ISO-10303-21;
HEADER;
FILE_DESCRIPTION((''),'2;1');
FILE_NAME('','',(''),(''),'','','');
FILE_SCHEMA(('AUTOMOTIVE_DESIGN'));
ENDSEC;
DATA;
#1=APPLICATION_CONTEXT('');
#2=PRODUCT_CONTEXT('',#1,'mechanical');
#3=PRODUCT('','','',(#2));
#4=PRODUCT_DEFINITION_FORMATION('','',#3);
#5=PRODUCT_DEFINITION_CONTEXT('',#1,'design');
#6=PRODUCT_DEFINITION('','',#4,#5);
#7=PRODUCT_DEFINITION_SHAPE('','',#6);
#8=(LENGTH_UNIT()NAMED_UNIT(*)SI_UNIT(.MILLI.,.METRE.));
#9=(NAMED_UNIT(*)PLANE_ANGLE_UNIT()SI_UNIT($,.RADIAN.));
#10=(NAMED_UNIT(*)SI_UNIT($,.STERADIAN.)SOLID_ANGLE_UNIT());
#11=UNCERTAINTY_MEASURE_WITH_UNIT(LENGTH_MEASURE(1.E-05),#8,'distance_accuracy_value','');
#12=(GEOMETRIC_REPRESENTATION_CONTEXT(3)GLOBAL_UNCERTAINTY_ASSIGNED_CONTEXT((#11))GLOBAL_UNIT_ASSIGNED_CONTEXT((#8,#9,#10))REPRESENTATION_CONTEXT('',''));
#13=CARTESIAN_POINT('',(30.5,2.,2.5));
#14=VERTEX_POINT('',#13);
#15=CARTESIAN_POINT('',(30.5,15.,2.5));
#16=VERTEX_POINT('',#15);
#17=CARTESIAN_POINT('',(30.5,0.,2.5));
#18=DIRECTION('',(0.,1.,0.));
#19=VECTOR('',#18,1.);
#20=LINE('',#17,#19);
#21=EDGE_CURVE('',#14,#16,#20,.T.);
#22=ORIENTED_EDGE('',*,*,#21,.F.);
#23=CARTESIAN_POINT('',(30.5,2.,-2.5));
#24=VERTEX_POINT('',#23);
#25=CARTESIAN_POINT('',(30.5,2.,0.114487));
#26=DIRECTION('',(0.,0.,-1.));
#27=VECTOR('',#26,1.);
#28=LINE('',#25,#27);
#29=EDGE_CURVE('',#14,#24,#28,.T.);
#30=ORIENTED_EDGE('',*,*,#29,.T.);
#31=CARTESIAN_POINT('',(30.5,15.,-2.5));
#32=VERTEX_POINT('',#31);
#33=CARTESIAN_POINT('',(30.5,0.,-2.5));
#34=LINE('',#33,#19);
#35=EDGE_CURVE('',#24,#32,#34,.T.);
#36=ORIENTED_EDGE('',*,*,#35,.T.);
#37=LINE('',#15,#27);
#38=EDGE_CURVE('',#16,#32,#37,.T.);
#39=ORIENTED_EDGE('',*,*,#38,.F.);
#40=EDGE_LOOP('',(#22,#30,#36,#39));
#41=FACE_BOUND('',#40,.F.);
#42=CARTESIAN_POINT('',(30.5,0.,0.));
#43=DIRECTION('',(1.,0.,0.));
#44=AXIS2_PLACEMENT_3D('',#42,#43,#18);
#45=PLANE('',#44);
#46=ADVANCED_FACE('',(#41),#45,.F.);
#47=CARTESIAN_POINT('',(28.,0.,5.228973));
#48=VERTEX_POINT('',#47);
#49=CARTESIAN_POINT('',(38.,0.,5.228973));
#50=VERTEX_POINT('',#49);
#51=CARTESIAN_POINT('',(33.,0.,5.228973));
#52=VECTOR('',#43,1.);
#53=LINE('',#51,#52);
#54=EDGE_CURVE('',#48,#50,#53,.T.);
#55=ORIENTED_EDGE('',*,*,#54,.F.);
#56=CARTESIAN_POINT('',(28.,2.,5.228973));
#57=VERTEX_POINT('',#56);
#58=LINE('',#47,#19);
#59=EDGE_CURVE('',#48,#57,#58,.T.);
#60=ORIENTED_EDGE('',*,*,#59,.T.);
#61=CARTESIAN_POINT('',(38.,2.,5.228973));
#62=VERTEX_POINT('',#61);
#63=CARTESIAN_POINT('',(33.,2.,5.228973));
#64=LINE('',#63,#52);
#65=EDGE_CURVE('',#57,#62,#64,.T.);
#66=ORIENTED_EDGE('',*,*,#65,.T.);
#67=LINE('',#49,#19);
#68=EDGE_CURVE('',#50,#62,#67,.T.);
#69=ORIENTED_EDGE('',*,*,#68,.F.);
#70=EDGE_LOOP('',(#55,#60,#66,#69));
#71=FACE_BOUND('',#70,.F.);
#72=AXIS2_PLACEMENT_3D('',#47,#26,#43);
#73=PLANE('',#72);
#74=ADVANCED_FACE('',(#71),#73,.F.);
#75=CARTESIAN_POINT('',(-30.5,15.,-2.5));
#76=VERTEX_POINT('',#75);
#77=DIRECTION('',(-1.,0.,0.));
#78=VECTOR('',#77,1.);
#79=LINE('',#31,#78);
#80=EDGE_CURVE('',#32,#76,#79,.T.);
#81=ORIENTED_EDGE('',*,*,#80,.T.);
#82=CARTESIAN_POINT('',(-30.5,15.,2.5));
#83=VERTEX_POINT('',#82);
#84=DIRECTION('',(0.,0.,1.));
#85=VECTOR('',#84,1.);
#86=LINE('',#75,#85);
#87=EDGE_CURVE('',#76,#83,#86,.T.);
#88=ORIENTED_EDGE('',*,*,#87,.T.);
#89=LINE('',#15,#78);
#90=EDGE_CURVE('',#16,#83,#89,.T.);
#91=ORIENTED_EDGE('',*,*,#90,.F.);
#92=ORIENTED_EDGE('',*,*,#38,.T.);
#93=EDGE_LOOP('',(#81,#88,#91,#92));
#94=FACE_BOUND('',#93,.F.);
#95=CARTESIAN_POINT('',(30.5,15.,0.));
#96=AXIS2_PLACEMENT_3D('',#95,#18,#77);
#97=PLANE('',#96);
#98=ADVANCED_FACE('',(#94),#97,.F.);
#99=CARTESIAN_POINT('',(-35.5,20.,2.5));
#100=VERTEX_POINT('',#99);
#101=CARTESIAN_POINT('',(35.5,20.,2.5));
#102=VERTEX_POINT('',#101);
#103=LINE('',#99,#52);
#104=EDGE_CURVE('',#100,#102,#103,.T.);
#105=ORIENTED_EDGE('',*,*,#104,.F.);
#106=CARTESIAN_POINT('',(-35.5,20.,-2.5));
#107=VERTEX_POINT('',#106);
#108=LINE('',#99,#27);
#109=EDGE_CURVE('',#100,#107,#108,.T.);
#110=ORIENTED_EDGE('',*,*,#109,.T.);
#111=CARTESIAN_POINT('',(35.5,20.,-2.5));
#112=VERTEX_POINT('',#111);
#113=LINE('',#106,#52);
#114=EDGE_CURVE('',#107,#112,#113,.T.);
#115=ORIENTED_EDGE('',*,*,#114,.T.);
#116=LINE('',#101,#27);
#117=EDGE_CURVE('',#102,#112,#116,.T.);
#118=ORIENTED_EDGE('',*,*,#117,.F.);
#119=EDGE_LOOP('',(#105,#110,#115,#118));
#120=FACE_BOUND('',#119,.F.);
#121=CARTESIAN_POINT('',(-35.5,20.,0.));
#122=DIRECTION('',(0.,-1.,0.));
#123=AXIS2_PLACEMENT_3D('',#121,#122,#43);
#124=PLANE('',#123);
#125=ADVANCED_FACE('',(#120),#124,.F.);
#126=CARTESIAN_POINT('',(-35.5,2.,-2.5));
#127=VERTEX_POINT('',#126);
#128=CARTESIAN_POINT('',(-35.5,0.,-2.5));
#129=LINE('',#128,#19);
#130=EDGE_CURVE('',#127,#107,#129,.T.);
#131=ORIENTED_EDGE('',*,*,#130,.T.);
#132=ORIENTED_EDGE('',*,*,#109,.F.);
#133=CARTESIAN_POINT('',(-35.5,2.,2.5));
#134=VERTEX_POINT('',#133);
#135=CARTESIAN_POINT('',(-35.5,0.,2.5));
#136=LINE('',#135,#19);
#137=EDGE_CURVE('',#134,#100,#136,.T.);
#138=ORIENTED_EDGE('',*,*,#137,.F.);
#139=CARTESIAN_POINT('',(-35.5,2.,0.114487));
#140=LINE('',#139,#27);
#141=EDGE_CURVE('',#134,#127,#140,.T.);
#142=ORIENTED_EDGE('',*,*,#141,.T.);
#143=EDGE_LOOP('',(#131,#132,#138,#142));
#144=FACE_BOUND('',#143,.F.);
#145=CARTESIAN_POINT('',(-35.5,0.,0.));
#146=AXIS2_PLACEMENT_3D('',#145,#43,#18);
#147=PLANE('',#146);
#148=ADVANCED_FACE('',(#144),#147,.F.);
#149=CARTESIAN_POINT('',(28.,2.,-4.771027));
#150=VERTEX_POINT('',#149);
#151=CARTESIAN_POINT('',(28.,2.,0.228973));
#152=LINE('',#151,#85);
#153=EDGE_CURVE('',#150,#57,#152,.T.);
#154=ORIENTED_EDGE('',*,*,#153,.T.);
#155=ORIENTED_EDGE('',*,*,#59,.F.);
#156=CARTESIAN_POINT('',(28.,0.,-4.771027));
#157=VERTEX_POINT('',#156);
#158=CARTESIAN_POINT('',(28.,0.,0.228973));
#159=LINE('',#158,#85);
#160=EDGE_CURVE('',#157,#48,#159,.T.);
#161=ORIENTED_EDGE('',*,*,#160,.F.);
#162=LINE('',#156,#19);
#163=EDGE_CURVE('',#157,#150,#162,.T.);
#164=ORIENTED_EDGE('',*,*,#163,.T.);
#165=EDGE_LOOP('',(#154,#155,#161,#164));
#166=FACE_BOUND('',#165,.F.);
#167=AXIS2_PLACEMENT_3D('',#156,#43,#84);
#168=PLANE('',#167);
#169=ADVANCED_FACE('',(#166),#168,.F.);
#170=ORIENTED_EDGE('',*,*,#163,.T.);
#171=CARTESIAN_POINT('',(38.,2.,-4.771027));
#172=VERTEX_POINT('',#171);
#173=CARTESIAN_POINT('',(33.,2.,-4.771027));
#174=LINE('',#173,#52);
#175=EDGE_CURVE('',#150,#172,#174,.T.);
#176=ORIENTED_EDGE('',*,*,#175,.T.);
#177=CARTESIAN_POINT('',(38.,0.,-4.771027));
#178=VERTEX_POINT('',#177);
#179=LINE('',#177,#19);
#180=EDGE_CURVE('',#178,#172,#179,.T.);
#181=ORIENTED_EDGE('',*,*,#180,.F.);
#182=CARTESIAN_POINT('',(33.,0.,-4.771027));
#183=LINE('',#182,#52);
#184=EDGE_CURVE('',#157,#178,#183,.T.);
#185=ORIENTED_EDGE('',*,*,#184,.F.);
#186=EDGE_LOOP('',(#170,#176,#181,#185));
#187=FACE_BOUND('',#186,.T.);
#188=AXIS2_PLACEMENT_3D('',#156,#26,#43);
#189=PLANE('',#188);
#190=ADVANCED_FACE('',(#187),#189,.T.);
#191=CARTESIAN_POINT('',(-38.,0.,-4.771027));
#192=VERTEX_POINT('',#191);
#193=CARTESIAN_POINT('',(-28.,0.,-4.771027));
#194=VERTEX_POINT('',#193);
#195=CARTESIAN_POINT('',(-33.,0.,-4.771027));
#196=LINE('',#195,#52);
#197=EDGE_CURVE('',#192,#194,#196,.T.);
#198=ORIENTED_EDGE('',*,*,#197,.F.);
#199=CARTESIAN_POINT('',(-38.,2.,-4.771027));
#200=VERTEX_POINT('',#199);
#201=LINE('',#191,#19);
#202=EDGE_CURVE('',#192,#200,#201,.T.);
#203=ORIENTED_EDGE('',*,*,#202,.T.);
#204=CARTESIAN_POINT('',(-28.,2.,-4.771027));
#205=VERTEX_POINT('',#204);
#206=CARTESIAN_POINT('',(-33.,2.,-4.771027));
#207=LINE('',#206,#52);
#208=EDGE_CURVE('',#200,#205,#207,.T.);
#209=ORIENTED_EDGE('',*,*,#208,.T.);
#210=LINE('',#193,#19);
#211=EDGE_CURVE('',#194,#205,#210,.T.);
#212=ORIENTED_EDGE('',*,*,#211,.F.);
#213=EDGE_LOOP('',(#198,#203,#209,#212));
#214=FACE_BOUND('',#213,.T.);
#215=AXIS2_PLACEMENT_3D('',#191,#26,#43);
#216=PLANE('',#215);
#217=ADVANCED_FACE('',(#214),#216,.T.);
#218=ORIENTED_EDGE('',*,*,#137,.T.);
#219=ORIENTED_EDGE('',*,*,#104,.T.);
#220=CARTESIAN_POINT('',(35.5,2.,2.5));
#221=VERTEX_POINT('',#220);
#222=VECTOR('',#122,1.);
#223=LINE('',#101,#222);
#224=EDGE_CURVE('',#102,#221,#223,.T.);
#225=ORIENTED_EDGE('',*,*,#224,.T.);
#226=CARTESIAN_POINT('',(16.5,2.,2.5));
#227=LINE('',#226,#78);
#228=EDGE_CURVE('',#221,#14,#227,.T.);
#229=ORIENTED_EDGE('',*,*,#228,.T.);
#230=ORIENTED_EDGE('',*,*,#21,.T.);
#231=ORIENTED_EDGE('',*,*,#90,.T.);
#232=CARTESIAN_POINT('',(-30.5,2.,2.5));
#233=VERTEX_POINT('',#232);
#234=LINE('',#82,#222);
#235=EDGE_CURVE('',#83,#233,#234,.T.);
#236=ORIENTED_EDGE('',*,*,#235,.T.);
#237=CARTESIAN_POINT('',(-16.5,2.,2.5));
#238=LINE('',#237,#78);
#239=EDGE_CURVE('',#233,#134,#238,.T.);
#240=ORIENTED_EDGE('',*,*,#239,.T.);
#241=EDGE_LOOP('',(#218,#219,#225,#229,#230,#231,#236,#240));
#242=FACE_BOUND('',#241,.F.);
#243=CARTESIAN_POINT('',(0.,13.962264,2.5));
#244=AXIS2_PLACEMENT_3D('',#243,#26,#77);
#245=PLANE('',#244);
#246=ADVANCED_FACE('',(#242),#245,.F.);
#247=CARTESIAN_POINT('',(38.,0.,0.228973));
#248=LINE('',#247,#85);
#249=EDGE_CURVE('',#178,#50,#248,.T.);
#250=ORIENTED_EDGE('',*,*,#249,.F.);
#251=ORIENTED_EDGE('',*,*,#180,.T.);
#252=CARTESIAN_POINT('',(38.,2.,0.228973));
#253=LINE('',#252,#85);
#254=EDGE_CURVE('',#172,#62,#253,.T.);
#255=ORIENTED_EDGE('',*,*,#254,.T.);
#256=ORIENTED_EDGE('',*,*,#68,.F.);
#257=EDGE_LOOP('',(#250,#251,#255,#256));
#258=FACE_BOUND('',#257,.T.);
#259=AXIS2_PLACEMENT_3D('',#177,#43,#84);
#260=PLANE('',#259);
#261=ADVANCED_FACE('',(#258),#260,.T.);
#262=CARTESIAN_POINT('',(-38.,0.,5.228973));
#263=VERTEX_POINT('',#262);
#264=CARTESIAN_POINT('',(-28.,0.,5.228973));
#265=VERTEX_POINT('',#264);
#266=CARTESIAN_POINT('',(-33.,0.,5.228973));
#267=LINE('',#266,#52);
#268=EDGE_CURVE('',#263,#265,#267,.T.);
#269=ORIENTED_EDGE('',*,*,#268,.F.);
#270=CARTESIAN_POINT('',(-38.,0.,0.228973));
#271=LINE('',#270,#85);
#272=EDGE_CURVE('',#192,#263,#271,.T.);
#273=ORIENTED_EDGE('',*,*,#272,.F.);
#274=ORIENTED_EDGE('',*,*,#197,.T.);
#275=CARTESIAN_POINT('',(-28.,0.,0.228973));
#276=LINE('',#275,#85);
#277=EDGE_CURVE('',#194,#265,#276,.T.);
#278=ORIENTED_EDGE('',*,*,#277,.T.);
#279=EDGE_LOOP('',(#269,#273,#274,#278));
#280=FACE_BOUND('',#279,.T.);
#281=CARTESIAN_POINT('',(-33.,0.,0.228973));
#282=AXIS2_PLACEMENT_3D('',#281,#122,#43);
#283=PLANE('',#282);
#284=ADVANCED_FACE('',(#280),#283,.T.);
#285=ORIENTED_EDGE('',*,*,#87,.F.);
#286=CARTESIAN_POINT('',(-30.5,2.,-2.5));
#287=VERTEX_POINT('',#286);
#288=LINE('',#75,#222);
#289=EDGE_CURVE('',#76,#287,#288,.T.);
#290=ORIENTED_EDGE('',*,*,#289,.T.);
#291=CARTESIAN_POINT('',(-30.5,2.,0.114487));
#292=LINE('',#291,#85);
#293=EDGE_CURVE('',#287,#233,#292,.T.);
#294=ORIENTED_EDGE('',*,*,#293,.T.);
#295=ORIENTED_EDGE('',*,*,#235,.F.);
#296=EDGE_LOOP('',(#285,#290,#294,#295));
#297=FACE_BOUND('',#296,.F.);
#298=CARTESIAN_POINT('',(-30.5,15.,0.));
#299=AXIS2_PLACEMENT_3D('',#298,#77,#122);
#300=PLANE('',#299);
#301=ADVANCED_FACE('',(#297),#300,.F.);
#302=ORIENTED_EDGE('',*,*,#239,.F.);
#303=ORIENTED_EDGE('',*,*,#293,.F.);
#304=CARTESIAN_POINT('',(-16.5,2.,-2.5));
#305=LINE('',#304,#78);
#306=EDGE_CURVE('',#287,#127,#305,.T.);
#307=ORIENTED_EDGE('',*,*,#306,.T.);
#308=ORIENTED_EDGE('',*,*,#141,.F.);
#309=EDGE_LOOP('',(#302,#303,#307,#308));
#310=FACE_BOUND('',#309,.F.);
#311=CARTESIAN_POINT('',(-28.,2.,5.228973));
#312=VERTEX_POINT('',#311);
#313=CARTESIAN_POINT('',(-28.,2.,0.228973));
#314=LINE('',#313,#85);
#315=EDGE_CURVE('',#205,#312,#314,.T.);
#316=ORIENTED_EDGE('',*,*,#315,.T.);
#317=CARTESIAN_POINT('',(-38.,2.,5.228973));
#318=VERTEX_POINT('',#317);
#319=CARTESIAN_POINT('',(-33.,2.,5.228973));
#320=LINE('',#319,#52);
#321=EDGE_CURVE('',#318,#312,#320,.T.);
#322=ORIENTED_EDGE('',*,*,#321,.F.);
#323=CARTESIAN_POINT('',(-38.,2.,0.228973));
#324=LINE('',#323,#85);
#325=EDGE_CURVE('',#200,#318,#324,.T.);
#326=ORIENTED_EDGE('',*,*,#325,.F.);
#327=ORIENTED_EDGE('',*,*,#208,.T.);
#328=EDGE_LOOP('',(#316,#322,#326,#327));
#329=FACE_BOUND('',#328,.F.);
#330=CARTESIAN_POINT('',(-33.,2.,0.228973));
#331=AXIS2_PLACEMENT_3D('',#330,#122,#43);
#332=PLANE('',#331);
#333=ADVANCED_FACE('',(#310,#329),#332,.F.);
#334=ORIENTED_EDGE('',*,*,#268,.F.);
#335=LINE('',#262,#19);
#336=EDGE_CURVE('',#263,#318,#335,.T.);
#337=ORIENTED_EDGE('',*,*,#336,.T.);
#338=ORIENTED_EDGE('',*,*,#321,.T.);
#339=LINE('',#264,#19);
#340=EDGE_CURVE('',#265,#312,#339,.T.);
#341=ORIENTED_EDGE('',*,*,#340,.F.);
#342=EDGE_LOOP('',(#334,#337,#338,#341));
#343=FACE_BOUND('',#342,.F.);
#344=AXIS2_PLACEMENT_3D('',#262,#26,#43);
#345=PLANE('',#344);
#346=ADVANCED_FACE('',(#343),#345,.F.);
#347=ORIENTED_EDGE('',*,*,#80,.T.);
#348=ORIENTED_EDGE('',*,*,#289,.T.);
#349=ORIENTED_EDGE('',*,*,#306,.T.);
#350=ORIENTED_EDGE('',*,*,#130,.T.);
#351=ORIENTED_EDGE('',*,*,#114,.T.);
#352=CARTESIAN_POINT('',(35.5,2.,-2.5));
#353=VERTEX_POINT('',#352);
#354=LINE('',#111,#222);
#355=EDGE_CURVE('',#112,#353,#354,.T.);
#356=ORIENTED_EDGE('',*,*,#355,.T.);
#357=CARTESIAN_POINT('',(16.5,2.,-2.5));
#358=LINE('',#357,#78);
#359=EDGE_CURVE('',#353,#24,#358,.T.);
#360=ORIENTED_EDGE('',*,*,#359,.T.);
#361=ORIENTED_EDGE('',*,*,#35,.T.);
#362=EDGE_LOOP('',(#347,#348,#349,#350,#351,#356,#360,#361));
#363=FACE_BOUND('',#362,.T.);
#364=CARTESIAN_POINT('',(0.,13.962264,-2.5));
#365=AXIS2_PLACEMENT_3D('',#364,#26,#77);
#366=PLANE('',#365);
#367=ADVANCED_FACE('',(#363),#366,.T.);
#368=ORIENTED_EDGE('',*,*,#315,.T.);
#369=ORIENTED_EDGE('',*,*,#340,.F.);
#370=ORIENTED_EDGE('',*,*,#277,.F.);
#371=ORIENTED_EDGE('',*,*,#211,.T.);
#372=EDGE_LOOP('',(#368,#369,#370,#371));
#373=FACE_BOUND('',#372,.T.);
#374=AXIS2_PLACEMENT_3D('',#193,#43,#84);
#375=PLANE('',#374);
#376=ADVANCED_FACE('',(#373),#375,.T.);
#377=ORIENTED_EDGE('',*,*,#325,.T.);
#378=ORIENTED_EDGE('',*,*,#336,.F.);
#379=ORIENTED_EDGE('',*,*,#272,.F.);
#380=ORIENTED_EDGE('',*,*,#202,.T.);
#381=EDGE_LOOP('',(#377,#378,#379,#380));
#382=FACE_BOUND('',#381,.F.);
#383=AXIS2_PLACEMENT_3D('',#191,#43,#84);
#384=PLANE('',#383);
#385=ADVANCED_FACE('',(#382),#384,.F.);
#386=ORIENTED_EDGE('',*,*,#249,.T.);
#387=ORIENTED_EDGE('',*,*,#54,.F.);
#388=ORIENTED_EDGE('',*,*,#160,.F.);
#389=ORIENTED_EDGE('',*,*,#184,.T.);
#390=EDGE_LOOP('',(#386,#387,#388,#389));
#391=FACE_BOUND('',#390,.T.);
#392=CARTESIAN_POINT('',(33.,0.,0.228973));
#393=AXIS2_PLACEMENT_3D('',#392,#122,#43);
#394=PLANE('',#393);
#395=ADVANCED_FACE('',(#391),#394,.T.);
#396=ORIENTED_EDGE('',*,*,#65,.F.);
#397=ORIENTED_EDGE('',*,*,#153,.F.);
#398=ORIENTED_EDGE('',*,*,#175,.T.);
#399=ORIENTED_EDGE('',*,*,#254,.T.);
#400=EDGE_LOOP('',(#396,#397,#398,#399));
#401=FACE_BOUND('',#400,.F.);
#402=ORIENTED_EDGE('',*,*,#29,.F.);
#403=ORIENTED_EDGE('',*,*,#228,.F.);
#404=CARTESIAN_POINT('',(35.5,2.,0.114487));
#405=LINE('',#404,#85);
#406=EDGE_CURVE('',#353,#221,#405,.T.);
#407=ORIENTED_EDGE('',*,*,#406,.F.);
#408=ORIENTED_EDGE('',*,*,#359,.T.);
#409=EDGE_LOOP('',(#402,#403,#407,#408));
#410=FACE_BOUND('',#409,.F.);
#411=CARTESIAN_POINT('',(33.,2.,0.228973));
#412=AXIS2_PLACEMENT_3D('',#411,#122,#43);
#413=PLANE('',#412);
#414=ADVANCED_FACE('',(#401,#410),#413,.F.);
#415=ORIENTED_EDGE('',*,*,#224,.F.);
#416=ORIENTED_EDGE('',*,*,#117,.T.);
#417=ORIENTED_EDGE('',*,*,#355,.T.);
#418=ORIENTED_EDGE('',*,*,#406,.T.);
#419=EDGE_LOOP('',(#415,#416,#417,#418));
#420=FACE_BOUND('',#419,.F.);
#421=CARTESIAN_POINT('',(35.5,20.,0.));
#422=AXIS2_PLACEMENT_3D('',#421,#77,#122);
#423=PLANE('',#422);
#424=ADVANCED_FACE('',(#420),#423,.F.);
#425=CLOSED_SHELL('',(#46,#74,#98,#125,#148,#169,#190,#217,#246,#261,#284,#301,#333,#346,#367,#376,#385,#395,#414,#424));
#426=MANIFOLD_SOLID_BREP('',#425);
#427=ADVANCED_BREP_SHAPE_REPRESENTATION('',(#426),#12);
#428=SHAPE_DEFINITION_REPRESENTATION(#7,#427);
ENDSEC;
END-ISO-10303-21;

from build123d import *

# Parameters (mm, degrees)
PAD_DEPTH           = 2.5
SKETCH002_W         = 10
SKETCH002_H         = 10
PAD001_DEPTH        = 2
LINEARPATTERN_COUNT = 2
LINEARPATTERN_PITCH = 66


with BuildPart() as part:
    # Sketch001 → Pad (new body, symmetric)
    with BuildSketch(Plane.XY):
        Polygon((-35.5, 0), (-35.5, 20), (35.5, 20), (35.5, 0), (30.5, 0), (30.5, 15), (-30.5, 15), (-30.5, 0), align=None)
    extrude(amount=PAD_DEPTH, both=True)

    # Sketch002 (on Face4 of Pad) → Pad001 (join)
    with BuildSketch(Plane.XZ):
        with Locations((33, 0.228973)):
            Rectangle(SKETCH002_W, SKETCH002_H)
    pad001 = extrude(amount=-PAD001_DEPTH)

    # LinearPattern: Pad001 ×2
    with Locations(*[(-i * LINEARPATTERN_PITCH, 0, 0) for i in range(1, LINEARPATTERN_COUNT)]):
        add(pad001)


solid = part.part
